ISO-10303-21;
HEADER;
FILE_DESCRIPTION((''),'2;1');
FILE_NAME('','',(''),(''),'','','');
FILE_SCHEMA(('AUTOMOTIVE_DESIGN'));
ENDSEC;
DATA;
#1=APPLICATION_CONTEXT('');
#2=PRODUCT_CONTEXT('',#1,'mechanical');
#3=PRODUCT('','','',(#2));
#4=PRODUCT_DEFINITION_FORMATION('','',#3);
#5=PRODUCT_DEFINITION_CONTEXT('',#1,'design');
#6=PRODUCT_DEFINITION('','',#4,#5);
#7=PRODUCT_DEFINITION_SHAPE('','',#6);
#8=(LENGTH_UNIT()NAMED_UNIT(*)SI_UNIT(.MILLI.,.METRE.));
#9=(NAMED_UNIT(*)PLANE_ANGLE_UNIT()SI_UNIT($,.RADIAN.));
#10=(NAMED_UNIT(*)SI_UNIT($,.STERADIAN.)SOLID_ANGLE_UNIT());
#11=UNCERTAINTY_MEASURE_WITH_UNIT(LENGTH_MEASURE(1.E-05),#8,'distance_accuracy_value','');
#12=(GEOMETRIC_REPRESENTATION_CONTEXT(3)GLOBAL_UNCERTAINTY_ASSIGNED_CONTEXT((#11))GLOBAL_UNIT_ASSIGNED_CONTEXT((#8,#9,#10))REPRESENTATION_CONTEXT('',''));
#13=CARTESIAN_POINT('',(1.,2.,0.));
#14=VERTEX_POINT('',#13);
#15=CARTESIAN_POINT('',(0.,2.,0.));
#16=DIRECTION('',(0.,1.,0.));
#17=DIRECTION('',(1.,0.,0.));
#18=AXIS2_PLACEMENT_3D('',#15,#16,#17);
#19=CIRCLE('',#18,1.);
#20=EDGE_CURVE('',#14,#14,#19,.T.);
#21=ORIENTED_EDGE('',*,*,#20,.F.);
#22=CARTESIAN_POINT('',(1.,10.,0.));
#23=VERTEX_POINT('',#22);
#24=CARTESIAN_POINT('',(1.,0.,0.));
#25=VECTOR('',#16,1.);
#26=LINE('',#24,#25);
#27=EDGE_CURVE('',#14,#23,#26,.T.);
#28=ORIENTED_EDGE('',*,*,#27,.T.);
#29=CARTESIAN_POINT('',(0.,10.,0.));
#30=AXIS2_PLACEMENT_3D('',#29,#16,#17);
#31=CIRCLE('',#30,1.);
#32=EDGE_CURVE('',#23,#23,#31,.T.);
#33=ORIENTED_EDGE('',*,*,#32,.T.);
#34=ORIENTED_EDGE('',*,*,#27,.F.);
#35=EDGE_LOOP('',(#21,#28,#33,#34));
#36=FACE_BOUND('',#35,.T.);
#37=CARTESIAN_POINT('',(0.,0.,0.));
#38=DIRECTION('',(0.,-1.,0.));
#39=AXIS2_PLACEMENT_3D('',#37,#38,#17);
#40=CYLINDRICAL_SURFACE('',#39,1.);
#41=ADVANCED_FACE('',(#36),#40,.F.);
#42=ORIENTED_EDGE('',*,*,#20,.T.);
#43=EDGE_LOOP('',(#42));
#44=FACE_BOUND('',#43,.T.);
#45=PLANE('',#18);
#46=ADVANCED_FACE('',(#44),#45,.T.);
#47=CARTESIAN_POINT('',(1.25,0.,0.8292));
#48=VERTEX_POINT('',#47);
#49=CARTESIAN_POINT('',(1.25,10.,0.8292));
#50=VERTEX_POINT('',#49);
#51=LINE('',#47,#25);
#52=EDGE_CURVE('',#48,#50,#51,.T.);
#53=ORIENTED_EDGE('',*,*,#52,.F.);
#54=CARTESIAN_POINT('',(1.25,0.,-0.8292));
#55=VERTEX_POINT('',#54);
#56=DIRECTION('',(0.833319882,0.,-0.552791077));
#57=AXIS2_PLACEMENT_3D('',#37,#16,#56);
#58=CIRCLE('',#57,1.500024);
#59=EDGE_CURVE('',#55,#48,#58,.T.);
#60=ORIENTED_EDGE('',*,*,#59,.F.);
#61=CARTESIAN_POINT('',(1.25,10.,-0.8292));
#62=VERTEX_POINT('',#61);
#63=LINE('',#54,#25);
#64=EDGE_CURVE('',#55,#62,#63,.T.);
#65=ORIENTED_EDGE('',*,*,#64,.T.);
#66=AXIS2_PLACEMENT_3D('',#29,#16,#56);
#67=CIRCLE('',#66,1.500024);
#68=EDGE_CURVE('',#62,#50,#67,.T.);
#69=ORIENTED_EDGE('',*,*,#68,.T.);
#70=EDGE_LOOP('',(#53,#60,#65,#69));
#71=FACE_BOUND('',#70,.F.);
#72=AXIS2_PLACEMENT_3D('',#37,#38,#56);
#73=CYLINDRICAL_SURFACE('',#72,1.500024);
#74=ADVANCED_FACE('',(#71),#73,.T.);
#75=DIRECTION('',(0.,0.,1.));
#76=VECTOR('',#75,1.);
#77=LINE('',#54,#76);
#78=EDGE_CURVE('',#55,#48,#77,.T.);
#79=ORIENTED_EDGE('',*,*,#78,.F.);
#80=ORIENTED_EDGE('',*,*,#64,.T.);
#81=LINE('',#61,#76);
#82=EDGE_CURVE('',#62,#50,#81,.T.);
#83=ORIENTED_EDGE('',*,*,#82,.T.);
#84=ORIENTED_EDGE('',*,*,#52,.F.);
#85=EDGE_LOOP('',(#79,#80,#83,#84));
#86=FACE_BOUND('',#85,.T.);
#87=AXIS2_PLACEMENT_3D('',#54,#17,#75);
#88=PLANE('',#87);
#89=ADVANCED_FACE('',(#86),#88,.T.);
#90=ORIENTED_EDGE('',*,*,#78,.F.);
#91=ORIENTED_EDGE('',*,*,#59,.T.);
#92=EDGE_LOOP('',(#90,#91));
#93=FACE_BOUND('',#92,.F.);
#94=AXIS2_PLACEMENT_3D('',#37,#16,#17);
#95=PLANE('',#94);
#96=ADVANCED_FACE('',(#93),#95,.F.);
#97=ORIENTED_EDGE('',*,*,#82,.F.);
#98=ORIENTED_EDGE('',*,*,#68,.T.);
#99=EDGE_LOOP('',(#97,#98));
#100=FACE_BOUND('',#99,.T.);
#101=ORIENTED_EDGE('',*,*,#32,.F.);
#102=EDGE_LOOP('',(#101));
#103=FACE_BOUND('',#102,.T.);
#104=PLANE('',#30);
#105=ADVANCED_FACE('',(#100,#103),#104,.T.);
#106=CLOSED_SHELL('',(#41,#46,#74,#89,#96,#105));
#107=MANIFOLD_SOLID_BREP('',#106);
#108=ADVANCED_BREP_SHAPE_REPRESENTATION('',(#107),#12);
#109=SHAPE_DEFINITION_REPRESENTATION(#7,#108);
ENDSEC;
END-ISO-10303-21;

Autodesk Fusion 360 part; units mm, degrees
sketch "草图1" plane through (0, 0, 0) normal (0, 1, 0) x (1, 0, 0)
  circle A0 centre (0, 0) radius 1
  line L0 (1.25, 0.8292) -> (1.25, -0.8292)
  arc A1 (1.25, 0.8292) -> (1.25, -0.8292) centre (0, 0) ccw
  dimension "d2" = 3
  dimension "d3" = 2
extrude "拉伸1" add sketch "草图1" along normal blind 10
sketch "草图2" plane through (0, 0, 0) normal (0, 1, 0) x (1, 0, 0)
  circle A0 centre (0, 0) radius 1
extrude "拉伸2" add sketch "草图2" along normal blind 2
